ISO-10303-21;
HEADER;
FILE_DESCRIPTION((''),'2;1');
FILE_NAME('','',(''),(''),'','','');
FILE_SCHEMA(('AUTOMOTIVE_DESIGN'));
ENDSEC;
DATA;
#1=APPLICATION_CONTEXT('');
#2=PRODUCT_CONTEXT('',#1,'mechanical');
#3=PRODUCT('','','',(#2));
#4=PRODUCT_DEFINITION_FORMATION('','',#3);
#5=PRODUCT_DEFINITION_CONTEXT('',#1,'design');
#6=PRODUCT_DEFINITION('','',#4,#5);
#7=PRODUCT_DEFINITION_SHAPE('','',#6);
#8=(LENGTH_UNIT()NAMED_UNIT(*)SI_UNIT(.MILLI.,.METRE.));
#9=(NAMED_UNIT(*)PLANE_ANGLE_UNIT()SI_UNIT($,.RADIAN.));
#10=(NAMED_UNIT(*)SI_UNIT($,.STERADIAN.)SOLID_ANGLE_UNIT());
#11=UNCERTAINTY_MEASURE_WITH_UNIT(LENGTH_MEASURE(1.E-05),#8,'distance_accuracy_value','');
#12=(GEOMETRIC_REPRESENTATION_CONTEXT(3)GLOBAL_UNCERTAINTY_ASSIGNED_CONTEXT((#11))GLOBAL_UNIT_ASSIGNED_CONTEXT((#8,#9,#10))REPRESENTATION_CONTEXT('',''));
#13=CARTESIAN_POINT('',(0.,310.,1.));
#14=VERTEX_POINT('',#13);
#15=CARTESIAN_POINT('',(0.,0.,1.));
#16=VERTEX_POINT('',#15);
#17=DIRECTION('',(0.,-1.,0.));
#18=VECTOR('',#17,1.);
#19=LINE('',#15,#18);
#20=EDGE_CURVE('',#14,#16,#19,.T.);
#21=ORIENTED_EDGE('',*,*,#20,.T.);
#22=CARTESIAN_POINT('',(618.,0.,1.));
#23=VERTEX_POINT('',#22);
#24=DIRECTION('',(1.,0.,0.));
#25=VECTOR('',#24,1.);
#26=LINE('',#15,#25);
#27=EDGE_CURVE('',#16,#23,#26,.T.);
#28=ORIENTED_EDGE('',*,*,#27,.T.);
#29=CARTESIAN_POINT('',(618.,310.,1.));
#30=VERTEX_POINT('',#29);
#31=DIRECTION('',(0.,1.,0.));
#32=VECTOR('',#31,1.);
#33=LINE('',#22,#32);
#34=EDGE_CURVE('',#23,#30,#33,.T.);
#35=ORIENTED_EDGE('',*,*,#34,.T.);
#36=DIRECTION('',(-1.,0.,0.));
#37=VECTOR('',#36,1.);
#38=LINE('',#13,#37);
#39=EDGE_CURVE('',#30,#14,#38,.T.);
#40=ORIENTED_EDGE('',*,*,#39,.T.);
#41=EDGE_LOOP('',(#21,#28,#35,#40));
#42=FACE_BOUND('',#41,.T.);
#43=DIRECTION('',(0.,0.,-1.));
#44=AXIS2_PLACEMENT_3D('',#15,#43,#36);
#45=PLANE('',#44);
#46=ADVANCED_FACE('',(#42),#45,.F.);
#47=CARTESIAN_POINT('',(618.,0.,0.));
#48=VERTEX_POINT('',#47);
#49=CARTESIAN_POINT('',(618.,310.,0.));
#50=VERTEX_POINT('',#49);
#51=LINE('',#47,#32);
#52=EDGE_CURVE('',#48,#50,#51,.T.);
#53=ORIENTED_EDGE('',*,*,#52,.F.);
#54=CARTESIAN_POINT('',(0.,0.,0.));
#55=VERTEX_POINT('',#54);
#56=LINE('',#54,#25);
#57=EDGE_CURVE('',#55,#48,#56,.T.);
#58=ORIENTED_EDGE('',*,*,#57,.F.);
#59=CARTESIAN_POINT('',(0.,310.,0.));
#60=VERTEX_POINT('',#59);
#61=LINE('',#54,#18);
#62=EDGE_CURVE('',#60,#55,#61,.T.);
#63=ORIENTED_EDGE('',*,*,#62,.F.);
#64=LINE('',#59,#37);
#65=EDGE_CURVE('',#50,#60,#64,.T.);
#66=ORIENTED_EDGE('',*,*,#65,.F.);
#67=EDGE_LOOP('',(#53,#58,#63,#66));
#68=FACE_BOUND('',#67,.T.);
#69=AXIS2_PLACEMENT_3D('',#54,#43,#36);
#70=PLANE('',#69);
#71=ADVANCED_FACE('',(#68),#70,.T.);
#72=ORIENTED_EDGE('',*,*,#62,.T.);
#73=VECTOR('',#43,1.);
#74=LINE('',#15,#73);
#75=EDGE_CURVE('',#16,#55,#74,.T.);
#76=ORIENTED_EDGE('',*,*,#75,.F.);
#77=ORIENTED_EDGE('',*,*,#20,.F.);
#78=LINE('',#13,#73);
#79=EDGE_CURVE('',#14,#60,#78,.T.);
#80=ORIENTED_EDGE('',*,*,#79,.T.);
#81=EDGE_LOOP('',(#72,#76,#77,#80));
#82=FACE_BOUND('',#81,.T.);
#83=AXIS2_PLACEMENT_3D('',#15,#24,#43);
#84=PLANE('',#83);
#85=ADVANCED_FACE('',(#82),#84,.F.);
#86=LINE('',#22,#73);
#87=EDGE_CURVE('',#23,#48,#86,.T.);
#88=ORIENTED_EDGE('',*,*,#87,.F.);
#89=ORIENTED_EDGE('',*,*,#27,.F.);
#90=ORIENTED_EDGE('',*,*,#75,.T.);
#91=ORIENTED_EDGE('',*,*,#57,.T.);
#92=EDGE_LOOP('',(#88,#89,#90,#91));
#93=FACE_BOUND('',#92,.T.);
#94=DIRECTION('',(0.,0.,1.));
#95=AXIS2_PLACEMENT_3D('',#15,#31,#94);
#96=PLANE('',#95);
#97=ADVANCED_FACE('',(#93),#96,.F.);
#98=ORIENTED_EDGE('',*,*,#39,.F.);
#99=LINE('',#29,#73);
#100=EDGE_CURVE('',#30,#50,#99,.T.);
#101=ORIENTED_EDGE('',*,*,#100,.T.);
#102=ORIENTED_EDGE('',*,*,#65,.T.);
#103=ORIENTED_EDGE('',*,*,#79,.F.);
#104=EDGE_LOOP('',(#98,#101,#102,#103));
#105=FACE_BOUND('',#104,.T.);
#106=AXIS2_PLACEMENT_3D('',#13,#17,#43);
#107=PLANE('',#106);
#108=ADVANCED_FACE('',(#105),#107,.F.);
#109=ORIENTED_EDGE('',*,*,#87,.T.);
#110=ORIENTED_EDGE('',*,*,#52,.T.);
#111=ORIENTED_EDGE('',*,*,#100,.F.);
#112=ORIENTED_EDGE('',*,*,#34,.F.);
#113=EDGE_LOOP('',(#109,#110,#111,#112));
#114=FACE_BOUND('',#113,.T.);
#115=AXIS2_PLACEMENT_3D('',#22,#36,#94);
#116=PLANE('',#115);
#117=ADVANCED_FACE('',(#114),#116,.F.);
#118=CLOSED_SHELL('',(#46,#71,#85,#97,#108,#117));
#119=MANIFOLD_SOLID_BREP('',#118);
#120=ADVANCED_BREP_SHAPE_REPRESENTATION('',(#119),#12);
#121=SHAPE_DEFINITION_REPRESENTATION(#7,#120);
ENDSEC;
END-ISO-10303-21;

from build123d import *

# Parameters (mm, degrees)
SKETCH1_W                    = 618
SKETCH1_H                    = 310
CEK_1L_ON_IC_SAC_1_0_1_DEPTH = 1


with BuildPart() as part:
    # Sketch1 → CEK_1L_on_ic_sac_1.0_1 (new body)
    with BuildSketch(Plane.XY):
        with Locations((309, 155)):
            Rectangle(SKETCH1_W, SKETCH1_H)
    extrude(amount=CEK_1L_ON_IC_SAC_1_0_1_DEPTH)


solid = part.part
